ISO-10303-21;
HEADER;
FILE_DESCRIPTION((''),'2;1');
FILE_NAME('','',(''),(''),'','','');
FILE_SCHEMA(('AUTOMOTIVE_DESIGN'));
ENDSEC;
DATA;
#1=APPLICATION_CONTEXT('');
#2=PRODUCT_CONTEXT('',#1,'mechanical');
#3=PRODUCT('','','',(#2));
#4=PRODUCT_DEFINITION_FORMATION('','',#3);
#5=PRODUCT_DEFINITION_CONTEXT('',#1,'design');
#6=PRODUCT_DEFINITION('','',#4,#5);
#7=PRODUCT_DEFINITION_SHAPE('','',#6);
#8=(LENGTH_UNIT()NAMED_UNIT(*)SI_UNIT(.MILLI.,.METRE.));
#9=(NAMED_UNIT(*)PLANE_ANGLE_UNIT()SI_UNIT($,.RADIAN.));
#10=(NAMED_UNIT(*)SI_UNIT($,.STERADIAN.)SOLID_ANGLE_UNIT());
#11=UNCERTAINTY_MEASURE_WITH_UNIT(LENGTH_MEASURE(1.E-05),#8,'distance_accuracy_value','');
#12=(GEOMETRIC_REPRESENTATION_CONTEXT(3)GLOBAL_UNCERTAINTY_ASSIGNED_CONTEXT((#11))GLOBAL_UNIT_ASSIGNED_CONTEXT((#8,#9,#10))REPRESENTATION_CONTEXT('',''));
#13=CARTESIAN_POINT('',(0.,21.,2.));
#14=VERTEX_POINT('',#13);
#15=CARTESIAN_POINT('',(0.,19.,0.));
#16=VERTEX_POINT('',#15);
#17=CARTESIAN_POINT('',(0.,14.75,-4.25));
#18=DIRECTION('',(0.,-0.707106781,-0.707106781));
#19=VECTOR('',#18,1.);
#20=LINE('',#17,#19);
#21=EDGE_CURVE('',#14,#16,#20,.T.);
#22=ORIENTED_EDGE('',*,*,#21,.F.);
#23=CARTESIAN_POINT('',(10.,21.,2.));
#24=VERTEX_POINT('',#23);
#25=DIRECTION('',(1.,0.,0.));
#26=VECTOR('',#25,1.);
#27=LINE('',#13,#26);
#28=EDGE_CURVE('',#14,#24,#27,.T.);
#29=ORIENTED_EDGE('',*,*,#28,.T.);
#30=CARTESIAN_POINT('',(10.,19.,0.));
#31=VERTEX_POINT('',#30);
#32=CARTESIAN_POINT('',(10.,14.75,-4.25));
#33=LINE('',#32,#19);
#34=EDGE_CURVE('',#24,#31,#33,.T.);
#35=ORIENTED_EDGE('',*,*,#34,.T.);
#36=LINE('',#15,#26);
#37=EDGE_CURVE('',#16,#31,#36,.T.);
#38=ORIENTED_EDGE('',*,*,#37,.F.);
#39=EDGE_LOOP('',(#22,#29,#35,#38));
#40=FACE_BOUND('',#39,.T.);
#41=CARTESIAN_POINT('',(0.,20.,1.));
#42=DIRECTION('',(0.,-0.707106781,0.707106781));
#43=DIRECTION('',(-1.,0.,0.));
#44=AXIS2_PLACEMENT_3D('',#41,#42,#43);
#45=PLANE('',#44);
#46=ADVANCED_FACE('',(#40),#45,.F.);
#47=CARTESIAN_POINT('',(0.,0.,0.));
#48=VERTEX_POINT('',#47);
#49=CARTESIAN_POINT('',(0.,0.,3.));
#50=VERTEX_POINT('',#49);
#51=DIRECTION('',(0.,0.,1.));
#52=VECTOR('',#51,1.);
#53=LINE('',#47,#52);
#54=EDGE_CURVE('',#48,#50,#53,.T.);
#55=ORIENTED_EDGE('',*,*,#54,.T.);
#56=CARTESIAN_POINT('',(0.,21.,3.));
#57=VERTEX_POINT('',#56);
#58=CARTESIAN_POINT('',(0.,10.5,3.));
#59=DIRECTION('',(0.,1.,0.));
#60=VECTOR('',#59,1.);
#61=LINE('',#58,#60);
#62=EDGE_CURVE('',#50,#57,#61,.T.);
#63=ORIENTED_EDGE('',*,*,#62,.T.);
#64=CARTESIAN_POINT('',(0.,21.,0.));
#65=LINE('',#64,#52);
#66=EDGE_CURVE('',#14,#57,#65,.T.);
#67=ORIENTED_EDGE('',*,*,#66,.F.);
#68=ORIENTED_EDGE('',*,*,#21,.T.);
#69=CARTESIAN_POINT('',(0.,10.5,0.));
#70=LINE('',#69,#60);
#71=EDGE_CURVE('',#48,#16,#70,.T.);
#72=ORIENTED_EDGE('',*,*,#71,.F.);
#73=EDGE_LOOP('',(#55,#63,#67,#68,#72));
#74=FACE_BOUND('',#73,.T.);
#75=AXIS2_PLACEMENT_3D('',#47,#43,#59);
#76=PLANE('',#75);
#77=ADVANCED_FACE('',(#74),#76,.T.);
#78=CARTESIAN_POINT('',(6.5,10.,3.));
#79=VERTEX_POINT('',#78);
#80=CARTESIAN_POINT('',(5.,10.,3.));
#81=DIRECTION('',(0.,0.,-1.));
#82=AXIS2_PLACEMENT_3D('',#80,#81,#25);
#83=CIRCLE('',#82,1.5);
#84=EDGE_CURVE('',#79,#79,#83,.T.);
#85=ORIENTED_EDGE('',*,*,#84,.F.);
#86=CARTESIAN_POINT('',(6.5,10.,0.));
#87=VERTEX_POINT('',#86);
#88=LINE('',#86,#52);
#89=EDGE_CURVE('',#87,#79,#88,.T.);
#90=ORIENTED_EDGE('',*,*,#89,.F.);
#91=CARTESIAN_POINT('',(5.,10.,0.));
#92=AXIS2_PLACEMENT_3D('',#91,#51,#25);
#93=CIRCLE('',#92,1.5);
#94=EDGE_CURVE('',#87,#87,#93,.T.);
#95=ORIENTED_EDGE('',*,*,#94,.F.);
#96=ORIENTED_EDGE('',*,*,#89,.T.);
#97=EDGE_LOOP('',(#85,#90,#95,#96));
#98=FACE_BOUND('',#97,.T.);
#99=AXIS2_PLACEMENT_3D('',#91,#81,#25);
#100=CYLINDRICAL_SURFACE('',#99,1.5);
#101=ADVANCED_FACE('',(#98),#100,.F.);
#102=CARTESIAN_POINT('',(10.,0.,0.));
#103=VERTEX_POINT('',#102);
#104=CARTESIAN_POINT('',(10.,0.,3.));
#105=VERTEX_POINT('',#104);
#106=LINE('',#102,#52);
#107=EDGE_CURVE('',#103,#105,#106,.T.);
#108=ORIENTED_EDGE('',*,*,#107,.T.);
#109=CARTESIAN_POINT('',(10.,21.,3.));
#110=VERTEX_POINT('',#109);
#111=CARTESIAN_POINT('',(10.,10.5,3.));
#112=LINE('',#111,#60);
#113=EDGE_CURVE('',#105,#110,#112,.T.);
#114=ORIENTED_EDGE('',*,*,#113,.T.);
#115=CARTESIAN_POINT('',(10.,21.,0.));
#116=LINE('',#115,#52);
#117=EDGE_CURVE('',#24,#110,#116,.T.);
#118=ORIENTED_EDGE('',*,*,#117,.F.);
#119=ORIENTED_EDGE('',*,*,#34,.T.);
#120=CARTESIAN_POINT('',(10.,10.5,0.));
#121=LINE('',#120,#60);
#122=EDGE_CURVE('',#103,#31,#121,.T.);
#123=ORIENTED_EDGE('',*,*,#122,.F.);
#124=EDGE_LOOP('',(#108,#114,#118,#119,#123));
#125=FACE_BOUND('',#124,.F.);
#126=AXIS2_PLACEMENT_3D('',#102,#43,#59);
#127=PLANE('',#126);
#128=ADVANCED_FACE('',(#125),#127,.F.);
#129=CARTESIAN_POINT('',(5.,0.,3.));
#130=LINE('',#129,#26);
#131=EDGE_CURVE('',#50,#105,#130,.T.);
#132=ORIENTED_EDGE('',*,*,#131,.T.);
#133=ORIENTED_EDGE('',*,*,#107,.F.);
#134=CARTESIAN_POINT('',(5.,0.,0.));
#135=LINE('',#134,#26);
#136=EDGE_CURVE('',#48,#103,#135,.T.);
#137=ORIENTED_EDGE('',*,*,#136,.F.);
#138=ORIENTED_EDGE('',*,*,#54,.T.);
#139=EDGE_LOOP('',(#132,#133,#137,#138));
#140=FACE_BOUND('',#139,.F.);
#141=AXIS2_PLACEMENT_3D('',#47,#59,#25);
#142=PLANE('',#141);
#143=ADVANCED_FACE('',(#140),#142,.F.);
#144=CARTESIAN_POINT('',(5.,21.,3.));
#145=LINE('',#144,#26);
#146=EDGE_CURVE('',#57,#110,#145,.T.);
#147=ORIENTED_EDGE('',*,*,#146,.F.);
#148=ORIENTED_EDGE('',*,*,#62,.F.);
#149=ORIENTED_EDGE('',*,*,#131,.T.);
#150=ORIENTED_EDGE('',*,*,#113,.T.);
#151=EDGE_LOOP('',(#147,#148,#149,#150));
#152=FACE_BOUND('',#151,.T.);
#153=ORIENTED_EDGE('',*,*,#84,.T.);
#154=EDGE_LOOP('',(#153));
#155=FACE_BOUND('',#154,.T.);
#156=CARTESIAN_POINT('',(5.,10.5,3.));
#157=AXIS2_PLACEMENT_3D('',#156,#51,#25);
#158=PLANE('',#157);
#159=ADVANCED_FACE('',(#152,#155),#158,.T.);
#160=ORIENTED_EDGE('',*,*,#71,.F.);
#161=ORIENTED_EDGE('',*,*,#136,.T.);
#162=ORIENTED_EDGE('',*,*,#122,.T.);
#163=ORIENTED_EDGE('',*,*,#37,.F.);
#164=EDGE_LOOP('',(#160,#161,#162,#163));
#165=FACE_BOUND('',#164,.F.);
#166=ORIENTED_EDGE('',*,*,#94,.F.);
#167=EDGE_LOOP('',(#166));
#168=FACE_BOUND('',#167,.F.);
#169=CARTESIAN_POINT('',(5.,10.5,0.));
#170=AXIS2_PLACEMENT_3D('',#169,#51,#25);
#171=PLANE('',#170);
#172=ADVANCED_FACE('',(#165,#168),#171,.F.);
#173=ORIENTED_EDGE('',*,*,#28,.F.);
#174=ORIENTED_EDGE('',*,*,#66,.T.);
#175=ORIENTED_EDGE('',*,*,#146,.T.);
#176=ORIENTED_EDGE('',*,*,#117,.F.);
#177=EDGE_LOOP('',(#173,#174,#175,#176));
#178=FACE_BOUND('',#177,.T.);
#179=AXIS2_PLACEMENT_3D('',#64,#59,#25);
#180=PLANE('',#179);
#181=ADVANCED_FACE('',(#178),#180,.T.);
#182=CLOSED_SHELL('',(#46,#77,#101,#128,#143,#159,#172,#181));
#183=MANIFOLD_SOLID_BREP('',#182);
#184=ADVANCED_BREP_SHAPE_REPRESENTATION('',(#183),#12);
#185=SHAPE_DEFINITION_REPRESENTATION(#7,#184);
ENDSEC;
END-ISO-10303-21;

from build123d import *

# Parameters (mm, degrees)
CYLINDER_R      = 1.5
CYLINDER_DEPTH  = 10
BOX007_W        = 10
BOX007_H        = 21
BOX007_DEPTH    = 3
CHAMFER002_SIZE = 2


with BuildPart() as cylinder:
    # Cylinder → Cylinder (new body)
    with BuildSketch(Plane(origin=(5, 10, 0), x_dir=(1, 0, 0), z_dir=(0, 0, 1))):
        Circle(CYLINDER_R)
    extrude(amount=CYLINDER_DEPTH)


with BuildPart() as chamfer002:
    # Box007 → Box007 (new body)
    with BuildSketch(Plane.XY):
        with Locations((5, 10.5)):
            Rectangle(BOX007_W, BOX007_H)
    extrude(amount=BOX007_DEPTH)

    # Cut004: cut Cylinder
    add(cylinder.part, mode=Mode.SUBTRACT)

    # Chamfer002
    chamfer002_edges = [chamfer002.edges().sort_by_distance(p)[0] for p in [
        (5, 21, 0),
    ]]
    chamfer(chamfer002_edges, length=CHAMFER002_SIZE)


solid = chamfer002.part
